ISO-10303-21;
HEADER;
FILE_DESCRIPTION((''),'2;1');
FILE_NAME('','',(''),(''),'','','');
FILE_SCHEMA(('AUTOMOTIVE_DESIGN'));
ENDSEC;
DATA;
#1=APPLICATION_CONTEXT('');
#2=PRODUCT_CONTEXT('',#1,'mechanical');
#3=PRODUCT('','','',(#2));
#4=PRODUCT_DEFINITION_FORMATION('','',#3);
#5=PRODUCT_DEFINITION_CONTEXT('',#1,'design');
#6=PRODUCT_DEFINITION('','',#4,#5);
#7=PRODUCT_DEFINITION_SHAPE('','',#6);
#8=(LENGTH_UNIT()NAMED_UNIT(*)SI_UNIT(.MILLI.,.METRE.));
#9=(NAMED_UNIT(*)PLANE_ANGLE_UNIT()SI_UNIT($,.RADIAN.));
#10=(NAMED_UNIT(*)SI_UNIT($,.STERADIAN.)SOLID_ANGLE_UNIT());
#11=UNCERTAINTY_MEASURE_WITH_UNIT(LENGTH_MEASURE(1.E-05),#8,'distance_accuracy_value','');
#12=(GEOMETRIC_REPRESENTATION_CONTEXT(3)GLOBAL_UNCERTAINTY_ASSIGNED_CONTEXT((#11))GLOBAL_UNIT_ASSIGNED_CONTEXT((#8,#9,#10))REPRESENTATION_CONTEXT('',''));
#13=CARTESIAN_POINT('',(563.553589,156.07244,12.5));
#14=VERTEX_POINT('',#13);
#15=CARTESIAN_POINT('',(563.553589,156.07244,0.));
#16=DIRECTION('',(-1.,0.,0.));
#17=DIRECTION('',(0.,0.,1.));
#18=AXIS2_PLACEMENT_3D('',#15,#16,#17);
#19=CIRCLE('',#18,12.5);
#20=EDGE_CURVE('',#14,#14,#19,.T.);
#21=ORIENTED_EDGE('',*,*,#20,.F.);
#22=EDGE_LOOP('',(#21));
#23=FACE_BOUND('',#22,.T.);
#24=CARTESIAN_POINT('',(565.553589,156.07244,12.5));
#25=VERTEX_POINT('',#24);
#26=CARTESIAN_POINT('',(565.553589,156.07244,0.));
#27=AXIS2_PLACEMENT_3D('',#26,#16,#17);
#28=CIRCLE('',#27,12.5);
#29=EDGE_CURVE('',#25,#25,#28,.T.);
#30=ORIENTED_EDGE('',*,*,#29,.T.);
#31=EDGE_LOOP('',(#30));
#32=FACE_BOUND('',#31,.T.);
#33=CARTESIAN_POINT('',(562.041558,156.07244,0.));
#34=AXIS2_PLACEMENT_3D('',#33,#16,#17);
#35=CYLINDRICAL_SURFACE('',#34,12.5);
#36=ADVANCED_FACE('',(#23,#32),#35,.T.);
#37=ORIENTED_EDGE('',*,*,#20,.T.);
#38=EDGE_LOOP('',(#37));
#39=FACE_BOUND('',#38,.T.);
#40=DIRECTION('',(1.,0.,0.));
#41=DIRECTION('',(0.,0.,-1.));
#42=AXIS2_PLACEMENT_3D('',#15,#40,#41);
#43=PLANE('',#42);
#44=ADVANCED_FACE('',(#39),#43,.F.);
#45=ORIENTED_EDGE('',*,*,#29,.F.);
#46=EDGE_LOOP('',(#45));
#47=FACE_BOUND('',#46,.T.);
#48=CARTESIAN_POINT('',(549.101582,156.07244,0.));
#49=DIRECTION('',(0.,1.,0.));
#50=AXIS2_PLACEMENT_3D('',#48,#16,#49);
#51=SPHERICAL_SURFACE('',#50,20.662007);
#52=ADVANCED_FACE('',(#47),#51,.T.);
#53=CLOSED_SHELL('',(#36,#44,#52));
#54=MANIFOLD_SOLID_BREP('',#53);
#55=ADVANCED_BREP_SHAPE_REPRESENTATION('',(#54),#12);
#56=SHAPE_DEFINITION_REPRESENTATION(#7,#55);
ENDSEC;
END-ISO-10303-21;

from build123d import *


with BuildPart() as part:
    # 草图1 → 旋转1 (revolve)
    with BuildSketch(Plane.XY):
        with BuildLine():
            Line((563.553588914, 156.072440309), (563.553588914, 168.572440309))
            Line((563.553588914, 168.572440309), (565.553588914, 168.572440309))
            ThreePointArc((565.553588914, 168.572440309), (568.682823155, 162.667402401), (569.763588914, 156.072440309))
            Line((569.763588914, 156.072440309), (563.553588914, 156.072440309))
        make_face()
    revolve(axis=Axis((562.041557672, 156.072440309, 0), (1, 0, 0)))


solid = part.part
